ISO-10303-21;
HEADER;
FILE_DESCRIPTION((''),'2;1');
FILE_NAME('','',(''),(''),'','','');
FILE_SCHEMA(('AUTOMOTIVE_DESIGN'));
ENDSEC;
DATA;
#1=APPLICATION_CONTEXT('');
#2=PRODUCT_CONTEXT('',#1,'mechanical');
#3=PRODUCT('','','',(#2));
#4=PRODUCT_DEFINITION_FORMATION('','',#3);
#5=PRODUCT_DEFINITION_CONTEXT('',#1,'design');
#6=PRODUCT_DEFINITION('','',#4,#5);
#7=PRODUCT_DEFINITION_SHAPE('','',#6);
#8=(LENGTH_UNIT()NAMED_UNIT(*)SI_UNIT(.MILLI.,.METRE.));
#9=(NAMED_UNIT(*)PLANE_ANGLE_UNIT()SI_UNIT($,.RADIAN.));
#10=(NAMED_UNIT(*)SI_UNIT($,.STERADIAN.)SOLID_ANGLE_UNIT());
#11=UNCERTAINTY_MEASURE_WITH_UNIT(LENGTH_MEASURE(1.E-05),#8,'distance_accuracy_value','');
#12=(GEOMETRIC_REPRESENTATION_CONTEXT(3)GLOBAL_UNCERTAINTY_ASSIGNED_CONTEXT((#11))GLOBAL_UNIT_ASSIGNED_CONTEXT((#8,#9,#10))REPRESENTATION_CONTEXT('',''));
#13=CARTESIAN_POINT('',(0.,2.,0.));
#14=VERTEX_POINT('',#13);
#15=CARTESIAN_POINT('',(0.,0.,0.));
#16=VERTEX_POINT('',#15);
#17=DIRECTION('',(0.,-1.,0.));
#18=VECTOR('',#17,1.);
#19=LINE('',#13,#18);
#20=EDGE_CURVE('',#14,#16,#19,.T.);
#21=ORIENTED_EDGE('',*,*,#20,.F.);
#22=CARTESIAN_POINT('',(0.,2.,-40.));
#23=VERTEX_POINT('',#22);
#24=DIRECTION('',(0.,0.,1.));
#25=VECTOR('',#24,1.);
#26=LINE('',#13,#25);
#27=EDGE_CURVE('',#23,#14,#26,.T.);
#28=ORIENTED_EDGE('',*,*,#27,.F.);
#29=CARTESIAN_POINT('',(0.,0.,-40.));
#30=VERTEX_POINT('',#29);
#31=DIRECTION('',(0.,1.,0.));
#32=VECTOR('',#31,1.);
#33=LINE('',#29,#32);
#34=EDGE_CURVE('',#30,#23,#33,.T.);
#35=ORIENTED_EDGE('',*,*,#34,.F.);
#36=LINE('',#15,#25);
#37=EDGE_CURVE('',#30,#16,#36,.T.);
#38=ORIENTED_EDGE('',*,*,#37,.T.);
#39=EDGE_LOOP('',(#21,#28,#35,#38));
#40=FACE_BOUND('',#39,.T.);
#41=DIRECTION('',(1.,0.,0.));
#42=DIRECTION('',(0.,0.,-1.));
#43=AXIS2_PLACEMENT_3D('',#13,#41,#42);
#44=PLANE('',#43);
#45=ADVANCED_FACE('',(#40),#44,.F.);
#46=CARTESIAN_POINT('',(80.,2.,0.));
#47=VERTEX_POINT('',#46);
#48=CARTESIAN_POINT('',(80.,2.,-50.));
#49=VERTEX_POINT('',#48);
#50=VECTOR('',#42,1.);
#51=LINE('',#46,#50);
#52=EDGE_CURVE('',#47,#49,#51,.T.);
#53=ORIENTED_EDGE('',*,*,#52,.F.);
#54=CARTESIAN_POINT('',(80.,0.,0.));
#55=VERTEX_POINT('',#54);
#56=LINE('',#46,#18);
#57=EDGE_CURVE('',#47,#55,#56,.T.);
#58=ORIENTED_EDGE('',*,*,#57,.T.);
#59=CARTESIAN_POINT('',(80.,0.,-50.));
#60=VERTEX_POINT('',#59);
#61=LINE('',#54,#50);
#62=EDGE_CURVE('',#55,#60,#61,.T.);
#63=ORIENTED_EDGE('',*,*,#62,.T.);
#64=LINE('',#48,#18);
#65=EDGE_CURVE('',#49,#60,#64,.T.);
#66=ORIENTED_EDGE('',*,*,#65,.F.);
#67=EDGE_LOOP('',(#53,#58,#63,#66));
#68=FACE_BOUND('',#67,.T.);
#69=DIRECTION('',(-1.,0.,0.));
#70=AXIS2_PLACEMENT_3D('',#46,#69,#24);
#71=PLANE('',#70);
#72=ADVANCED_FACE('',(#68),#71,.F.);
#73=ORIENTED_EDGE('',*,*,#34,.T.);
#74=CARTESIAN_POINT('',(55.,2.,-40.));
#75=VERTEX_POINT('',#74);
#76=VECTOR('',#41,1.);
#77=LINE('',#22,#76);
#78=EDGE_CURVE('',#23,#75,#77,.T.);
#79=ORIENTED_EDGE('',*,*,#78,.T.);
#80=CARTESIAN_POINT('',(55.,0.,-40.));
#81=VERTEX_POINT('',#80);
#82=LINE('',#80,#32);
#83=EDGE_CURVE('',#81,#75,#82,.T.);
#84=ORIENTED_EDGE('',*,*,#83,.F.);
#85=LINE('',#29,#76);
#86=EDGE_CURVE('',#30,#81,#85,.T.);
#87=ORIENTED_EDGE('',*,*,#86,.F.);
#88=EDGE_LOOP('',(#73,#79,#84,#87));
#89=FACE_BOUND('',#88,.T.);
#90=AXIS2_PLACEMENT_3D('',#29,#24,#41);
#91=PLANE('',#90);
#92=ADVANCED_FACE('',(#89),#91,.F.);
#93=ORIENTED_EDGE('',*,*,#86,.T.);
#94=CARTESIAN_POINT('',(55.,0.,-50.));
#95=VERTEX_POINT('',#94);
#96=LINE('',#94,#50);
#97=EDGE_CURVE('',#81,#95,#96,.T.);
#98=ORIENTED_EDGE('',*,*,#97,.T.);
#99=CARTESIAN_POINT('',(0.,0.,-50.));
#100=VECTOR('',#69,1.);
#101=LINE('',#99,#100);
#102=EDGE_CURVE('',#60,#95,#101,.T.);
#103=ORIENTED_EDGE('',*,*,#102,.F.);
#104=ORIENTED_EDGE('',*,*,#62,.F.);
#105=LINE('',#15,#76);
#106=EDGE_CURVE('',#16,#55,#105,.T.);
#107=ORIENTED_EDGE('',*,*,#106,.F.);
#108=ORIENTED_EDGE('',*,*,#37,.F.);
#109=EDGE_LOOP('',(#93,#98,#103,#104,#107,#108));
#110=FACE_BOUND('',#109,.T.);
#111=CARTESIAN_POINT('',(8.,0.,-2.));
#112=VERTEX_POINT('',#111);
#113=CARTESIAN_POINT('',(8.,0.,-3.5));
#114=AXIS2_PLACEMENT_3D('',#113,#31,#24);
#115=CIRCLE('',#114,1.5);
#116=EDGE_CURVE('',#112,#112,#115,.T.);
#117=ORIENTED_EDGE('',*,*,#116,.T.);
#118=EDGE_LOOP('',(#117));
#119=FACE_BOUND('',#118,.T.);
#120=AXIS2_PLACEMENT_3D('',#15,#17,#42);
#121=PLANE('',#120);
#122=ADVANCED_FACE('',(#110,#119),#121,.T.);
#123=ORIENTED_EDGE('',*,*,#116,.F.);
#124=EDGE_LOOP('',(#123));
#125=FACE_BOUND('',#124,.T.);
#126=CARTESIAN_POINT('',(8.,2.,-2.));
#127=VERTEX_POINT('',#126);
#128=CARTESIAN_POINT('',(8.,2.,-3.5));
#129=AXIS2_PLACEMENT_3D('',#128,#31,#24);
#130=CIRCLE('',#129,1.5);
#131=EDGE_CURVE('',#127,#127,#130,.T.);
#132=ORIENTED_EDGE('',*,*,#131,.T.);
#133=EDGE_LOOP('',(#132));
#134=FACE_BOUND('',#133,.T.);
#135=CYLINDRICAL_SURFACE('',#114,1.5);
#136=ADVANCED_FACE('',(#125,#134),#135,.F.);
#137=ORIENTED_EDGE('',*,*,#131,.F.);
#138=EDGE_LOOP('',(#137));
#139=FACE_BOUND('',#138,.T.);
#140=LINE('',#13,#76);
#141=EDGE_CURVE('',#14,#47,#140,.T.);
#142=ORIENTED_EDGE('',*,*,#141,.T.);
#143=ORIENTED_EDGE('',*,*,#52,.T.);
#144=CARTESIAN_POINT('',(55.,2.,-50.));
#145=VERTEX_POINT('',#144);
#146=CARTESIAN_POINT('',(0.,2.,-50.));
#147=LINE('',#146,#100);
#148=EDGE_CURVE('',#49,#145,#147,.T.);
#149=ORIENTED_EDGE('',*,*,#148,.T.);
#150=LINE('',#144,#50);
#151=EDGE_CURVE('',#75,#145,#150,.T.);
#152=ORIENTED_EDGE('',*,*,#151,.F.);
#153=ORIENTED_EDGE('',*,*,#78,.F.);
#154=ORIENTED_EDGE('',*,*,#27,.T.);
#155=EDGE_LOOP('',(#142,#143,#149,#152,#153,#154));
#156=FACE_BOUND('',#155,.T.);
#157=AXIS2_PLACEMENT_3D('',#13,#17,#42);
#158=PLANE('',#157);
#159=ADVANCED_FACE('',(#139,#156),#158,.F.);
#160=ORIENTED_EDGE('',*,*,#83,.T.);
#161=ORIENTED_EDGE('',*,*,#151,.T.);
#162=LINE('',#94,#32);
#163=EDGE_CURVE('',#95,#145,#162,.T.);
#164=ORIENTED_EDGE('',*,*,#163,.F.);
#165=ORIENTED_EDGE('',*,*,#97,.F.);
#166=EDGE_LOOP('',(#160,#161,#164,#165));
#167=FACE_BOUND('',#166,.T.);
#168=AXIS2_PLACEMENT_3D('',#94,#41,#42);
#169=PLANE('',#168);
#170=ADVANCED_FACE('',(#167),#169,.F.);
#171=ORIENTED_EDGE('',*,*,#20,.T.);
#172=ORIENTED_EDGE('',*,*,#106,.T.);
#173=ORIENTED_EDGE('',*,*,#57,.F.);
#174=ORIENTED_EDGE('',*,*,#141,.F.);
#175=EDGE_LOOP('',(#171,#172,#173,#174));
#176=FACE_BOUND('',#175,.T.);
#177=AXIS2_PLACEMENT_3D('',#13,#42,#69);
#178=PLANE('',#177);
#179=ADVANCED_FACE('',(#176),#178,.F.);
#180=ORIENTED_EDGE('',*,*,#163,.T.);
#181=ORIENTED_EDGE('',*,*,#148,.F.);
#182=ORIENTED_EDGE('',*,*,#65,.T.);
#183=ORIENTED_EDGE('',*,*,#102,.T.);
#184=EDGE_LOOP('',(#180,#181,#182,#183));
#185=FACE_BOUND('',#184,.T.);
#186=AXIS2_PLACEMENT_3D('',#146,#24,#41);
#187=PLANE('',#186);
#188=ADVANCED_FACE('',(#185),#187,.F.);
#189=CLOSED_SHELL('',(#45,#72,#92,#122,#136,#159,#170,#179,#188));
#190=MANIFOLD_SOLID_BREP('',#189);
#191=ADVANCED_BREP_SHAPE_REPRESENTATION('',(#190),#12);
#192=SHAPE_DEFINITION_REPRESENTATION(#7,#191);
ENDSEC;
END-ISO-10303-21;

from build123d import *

# Parameters (mm, degrees)
SKETCH1_W           = 80
SKETCH1_H           = 50
BOSS_EXTRUDE1_DEPTH = 2
SKETCH2_R           = 1.5
CUT_EXTRUDE1_DEPTH  = 2
SKETCH3_W           = 55
SKETCH3_H           = 10
CUT_EXTRUDE2_DEPTH  = 95.361008897


with BuildPart() as part:
    # Sketch1 → Boss-Extrude1 (new body)
    with BuildSketch(Plane(origin=(0, 0, 0), x_dir=(1, 0, 0), z_dir=(0, 1, 0))):
        with Locations((40, 25)):
            Rectangle(SKETCH1_W, SKETCH1_H)
    extrude(amount=BOSS_EXTRUDE1_DEPTH)

    # Sketch2 → Cut-Extrude1 (cut)
    with BuildSketch(Plane(origin=(0, 2, 0), x_dir=(1, 0, 0), z_dir=(0, 1, 0))):
        with Locations(Location((8, 3.5, 0), (0, 0, 270))):
            Circle(SKETCH2_R)
    extrude(amount=-CUT_EXTRUDE1_DEPTH, mode=Mode.SUBTRACT)

    # Sketch3 → Cut-Extrude2 (cut, through all)
    with BuildSketch(Plane(origin=(0, 2, 0), x_dir=(1, 0, 0), z_dir=(0, 1, 0))):
        with Locations((27.5, 45)):
            Rectangle(SKETCH3_W, SKETCH3_H)
    extrude(amount=-CUT_EXTRUDE2_DEPTH, mode=Mode.SUBTRACT)


solid = part.part
